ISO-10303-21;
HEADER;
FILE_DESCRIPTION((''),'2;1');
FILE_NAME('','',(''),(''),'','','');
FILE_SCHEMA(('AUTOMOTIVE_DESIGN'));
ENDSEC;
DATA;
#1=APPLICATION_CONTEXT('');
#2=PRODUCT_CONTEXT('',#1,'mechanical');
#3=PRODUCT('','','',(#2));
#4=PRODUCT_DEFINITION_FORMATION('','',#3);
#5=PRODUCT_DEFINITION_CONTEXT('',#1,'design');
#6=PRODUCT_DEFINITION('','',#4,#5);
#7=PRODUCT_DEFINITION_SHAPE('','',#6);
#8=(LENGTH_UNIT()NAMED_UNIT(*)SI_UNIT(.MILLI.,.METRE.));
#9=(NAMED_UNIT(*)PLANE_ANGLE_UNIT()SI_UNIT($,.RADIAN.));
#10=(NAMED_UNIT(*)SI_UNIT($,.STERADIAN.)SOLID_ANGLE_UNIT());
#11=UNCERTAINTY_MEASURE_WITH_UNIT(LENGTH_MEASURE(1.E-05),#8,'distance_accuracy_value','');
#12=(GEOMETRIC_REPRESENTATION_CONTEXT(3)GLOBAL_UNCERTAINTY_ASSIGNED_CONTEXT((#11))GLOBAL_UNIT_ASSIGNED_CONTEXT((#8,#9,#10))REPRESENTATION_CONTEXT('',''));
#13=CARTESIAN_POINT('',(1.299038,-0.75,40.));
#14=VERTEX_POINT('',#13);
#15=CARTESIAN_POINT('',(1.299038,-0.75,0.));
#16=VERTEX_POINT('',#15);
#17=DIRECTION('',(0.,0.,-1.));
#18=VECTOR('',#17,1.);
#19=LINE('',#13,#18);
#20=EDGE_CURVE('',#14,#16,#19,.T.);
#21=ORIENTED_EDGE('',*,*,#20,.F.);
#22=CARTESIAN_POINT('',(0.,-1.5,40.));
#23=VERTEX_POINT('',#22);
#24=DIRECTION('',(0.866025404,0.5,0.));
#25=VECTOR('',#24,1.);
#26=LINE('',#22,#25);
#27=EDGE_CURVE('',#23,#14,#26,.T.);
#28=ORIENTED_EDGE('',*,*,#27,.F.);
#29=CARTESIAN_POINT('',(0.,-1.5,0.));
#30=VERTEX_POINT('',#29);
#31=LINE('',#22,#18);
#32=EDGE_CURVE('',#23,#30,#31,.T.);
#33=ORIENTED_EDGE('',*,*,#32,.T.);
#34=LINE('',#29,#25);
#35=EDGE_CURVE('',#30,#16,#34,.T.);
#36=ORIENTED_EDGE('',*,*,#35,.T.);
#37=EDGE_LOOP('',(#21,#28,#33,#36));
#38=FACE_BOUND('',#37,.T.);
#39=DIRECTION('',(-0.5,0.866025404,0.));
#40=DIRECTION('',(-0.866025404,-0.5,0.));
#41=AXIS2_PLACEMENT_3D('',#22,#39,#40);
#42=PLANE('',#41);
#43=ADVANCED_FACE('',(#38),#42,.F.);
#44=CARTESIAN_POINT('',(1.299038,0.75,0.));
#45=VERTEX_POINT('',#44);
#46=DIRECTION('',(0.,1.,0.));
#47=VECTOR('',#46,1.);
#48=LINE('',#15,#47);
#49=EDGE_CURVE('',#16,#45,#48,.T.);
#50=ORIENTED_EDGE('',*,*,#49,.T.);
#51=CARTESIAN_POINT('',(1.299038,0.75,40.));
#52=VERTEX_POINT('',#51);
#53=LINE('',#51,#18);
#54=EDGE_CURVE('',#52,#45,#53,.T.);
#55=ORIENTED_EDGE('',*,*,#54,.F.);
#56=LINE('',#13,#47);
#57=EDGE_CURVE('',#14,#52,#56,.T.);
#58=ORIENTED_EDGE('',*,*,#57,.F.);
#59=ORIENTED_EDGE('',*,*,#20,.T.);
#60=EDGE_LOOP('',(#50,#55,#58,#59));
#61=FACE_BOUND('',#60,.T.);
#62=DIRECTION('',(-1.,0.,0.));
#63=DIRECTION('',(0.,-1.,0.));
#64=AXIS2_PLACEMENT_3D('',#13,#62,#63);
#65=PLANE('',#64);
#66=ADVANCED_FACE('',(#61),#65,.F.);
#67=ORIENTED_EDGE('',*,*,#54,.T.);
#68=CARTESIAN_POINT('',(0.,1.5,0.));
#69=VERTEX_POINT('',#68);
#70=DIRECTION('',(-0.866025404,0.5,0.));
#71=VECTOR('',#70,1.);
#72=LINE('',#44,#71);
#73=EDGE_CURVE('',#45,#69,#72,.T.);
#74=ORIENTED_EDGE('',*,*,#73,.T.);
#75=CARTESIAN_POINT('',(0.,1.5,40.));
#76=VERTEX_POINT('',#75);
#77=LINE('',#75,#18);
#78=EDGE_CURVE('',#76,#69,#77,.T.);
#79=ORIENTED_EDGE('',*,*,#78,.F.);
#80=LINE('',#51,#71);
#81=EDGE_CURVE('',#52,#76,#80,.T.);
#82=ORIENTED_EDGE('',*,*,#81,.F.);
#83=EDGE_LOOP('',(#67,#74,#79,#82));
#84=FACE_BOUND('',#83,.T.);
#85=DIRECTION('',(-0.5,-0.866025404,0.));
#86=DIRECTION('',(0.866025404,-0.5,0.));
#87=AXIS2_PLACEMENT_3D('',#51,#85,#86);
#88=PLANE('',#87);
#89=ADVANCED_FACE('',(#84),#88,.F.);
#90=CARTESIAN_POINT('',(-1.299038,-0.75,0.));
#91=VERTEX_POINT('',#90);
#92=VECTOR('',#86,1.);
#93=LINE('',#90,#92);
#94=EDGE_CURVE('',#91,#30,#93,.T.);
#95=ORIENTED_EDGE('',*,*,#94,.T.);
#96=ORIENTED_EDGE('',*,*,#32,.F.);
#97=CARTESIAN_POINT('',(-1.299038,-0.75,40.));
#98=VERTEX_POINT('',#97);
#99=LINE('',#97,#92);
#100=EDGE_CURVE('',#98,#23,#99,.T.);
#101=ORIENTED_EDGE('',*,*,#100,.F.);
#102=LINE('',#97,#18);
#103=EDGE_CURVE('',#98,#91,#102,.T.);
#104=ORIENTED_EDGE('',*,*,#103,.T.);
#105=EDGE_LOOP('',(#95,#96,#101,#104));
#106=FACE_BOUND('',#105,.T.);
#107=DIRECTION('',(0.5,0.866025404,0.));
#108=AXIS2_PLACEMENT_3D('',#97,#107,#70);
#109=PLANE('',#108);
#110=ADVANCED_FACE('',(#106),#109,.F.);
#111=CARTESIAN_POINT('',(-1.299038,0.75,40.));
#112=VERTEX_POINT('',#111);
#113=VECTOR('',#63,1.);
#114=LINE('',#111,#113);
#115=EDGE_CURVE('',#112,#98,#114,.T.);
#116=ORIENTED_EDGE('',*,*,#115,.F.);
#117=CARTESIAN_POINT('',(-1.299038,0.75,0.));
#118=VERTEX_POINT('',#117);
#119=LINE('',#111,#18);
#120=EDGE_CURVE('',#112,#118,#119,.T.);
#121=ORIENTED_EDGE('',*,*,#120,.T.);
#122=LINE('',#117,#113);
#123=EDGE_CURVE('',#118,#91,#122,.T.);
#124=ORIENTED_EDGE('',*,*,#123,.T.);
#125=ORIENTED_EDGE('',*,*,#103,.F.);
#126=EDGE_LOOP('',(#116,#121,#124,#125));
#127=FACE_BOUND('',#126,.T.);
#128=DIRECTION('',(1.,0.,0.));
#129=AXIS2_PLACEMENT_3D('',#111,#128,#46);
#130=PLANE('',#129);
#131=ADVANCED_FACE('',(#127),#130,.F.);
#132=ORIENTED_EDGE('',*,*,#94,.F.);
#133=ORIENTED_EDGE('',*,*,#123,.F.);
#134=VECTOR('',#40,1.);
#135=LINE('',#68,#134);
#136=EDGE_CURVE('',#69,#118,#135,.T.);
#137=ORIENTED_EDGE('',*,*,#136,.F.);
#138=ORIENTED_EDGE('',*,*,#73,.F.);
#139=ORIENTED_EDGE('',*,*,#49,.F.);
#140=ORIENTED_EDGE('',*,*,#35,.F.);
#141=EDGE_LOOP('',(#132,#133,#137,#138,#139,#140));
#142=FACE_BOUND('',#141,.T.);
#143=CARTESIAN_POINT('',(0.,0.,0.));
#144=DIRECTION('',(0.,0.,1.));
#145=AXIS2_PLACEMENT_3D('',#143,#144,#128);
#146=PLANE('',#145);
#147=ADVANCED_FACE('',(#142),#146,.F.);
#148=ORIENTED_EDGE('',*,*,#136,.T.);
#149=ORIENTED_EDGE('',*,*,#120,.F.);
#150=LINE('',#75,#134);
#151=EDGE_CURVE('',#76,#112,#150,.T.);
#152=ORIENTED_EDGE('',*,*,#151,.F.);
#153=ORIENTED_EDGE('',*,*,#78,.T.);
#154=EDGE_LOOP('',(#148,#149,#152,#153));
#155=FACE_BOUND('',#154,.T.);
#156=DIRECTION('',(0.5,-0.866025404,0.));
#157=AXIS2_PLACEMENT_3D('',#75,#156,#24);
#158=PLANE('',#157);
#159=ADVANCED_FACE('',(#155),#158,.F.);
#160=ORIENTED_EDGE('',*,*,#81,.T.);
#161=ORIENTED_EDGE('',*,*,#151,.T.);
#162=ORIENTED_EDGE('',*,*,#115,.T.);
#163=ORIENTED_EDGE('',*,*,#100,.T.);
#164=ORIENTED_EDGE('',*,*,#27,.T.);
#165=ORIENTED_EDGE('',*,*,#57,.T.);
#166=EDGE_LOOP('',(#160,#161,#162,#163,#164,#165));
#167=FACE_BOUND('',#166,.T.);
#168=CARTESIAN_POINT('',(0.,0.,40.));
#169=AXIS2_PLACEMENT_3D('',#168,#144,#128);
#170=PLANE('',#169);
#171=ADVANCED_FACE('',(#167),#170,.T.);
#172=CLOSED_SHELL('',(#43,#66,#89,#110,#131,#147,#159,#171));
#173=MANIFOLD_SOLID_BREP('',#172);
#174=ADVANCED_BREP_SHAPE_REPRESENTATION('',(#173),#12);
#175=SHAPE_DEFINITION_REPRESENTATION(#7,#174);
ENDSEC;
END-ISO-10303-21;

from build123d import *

# Parameters (mm, degrees)
EXTRUDE_1_DEPTH = 40


with BuildPart() as part:
    # ｽｹｯﾁ1 → ﾎﾞｽ - 押し出し1 (new body)
    with BuildSketch(Plane.XY):
        Polygon((0, 1.5), (-1.299038106, 0.75), (-1.299038106, -0.75), (0, -1.5), (1.299038106, -0.75), (1.299038106, 0.75), align=None)
    extrude(amount=EXTRUDE_1_DEPTH)


solid = part.part
